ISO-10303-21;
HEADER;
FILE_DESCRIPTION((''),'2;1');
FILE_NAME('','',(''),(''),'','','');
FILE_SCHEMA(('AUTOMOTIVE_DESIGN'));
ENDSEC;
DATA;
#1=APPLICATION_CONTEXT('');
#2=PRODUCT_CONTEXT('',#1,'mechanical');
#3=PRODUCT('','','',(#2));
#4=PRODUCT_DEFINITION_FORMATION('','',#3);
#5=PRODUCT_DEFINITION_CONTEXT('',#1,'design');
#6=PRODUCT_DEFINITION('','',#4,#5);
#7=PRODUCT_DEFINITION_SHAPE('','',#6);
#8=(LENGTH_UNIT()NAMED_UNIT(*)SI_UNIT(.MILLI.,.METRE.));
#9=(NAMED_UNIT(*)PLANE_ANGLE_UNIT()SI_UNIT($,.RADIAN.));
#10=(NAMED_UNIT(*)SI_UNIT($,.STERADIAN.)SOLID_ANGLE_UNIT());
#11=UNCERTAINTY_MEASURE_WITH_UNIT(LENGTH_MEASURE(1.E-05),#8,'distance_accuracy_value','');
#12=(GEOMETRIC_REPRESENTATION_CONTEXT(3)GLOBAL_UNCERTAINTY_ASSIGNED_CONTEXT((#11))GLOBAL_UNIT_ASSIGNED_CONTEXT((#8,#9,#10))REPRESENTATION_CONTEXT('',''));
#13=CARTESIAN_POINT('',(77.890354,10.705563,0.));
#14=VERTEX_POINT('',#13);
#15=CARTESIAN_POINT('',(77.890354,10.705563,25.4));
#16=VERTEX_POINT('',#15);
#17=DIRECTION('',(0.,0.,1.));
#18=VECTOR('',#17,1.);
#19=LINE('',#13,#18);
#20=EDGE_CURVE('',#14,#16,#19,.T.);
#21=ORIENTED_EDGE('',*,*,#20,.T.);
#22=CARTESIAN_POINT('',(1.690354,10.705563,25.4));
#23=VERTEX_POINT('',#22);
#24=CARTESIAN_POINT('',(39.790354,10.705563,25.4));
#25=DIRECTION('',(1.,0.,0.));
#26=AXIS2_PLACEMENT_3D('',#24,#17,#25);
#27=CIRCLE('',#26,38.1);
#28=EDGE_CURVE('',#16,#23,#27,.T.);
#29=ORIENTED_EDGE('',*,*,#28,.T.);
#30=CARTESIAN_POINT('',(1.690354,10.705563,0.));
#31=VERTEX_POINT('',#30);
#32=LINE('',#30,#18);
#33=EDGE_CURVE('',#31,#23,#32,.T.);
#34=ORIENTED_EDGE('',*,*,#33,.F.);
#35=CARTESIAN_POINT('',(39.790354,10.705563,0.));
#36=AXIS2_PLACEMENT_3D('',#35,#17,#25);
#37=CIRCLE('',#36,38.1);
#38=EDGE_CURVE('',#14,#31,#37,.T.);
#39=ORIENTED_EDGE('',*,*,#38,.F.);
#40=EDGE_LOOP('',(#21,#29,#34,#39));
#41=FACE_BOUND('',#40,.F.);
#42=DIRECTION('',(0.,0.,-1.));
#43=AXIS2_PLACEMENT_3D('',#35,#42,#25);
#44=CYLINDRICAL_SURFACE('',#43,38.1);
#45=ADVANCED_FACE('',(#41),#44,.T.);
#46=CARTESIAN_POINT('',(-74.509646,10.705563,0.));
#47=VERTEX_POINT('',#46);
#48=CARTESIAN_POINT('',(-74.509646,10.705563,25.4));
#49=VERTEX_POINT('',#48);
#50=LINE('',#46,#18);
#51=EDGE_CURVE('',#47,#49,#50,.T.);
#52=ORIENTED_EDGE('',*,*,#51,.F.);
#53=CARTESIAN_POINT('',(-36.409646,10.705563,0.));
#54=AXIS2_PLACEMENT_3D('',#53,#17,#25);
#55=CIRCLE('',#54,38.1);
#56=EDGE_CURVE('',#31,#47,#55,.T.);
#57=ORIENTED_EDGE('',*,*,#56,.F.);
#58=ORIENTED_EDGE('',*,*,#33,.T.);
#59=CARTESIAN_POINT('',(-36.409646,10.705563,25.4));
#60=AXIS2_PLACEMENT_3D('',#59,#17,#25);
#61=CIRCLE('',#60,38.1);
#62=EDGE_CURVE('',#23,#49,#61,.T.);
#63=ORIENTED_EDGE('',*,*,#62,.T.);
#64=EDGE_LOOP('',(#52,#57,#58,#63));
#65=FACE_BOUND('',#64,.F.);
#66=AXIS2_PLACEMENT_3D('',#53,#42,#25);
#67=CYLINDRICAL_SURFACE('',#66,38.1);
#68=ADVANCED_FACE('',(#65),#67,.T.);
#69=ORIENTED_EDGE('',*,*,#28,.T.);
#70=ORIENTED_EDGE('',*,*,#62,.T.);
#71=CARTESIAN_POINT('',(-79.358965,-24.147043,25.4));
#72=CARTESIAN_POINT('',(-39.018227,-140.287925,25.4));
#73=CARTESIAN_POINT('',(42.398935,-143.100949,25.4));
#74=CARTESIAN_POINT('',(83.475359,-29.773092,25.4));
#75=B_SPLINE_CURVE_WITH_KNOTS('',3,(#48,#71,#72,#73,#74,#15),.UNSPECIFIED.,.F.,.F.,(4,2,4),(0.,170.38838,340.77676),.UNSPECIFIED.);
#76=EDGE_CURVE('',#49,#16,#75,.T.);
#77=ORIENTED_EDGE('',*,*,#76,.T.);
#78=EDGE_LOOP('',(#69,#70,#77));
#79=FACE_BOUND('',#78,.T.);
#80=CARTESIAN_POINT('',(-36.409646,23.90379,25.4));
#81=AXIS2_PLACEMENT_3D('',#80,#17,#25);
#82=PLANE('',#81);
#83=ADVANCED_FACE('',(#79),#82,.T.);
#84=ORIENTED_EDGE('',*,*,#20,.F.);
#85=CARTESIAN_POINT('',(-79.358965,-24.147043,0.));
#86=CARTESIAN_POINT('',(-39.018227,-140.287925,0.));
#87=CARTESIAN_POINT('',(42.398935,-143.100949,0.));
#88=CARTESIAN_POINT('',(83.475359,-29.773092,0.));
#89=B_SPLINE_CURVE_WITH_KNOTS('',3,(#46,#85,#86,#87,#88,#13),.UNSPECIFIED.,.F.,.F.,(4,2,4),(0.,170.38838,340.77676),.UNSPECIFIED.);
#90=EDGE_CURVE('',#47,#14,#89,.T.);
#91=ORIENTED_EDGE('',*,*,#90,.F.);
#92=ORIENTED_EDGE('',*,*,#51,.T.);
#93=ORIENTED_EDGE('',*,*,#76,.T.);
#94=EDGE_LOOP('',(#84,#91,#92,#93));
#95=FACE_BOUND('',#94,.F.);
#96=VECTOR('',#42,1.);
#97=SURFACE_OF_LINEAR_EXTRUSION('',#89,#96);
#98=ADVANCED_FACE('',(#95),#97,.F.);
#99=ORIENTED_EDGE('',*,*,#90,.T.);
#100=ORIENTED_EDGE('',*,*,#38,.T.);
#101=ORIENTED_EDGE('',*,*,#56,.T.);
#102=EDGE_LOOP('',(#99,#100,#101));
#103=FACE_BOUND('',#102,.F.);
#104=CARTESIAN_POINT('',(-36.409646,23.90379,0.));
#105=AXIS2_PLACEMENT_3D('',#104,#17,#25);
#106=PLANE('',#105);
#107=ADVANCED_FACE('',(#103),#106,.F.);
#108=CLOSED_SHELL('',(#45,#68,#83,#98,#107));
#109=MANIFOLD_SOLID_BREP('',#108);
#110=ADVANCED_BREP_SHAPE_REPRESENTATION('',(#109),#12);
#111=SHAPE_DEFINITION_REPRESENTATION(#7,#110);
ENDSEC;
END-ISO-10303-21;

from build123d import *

# Parameters (mm, degrees)
F1_DEPTH = 25.4


with BuildPart() as f1:
    # F0 (on Top) → F1 (new body)
    with BuildSketch(Plane.XY):
        with BuildLine():
            ThreePointArc((1.690354, 10.705563), (-36.409646, 48.805563), (-74.509646, 10.705563))
            Line((-74.509646, 10.705563), (1.690354, 10.705563))
        make_face()
        with BuildLine():
            Line((1.690354, 10.705563), (-74.509646, 10.705563))
            add(Edge.make_bspline(
                [(-74.509646, 10.705563), (-79.358965, -24.147043), (-39.018227, -140.287925), (1.690354, -141.694437)],
                knots=[0, 0, 0, 0, 170.38838, 170.38838, 170.38838, 170.38838], degree=3))
            Line((1.690354, -141.694437), (1.690354, 10.705563))
        make_face()
        with BuildLine():
            ThreePointArc((77.890354, 10.705563), (39.790354, 48.805563), (1.690354, 10.705563))
            Line((1.690354, 10.705563), (77.890354, 10.705563))
        make_face()
        with BuildLine():
            Line((77.890354, 10.705563), (1.690354, 10.705563))
            Line((1.690354, 10.705563), (1.690354, -141.694437))
            add(Edge.make_bspline(
                [(1.690354, -141.694437), (42.398935, -143.100949), (83.475359, -29.773092), (77.890354, 10.705563)],
                knots=[170.38838, 170.38838, 170.38838, 170.38838, 340.77676, 340.77676, 340.77676, 340.77676], degree=3))
        make_face()
    extrude(amount=F1_DEPTH)


solid = f1.part
